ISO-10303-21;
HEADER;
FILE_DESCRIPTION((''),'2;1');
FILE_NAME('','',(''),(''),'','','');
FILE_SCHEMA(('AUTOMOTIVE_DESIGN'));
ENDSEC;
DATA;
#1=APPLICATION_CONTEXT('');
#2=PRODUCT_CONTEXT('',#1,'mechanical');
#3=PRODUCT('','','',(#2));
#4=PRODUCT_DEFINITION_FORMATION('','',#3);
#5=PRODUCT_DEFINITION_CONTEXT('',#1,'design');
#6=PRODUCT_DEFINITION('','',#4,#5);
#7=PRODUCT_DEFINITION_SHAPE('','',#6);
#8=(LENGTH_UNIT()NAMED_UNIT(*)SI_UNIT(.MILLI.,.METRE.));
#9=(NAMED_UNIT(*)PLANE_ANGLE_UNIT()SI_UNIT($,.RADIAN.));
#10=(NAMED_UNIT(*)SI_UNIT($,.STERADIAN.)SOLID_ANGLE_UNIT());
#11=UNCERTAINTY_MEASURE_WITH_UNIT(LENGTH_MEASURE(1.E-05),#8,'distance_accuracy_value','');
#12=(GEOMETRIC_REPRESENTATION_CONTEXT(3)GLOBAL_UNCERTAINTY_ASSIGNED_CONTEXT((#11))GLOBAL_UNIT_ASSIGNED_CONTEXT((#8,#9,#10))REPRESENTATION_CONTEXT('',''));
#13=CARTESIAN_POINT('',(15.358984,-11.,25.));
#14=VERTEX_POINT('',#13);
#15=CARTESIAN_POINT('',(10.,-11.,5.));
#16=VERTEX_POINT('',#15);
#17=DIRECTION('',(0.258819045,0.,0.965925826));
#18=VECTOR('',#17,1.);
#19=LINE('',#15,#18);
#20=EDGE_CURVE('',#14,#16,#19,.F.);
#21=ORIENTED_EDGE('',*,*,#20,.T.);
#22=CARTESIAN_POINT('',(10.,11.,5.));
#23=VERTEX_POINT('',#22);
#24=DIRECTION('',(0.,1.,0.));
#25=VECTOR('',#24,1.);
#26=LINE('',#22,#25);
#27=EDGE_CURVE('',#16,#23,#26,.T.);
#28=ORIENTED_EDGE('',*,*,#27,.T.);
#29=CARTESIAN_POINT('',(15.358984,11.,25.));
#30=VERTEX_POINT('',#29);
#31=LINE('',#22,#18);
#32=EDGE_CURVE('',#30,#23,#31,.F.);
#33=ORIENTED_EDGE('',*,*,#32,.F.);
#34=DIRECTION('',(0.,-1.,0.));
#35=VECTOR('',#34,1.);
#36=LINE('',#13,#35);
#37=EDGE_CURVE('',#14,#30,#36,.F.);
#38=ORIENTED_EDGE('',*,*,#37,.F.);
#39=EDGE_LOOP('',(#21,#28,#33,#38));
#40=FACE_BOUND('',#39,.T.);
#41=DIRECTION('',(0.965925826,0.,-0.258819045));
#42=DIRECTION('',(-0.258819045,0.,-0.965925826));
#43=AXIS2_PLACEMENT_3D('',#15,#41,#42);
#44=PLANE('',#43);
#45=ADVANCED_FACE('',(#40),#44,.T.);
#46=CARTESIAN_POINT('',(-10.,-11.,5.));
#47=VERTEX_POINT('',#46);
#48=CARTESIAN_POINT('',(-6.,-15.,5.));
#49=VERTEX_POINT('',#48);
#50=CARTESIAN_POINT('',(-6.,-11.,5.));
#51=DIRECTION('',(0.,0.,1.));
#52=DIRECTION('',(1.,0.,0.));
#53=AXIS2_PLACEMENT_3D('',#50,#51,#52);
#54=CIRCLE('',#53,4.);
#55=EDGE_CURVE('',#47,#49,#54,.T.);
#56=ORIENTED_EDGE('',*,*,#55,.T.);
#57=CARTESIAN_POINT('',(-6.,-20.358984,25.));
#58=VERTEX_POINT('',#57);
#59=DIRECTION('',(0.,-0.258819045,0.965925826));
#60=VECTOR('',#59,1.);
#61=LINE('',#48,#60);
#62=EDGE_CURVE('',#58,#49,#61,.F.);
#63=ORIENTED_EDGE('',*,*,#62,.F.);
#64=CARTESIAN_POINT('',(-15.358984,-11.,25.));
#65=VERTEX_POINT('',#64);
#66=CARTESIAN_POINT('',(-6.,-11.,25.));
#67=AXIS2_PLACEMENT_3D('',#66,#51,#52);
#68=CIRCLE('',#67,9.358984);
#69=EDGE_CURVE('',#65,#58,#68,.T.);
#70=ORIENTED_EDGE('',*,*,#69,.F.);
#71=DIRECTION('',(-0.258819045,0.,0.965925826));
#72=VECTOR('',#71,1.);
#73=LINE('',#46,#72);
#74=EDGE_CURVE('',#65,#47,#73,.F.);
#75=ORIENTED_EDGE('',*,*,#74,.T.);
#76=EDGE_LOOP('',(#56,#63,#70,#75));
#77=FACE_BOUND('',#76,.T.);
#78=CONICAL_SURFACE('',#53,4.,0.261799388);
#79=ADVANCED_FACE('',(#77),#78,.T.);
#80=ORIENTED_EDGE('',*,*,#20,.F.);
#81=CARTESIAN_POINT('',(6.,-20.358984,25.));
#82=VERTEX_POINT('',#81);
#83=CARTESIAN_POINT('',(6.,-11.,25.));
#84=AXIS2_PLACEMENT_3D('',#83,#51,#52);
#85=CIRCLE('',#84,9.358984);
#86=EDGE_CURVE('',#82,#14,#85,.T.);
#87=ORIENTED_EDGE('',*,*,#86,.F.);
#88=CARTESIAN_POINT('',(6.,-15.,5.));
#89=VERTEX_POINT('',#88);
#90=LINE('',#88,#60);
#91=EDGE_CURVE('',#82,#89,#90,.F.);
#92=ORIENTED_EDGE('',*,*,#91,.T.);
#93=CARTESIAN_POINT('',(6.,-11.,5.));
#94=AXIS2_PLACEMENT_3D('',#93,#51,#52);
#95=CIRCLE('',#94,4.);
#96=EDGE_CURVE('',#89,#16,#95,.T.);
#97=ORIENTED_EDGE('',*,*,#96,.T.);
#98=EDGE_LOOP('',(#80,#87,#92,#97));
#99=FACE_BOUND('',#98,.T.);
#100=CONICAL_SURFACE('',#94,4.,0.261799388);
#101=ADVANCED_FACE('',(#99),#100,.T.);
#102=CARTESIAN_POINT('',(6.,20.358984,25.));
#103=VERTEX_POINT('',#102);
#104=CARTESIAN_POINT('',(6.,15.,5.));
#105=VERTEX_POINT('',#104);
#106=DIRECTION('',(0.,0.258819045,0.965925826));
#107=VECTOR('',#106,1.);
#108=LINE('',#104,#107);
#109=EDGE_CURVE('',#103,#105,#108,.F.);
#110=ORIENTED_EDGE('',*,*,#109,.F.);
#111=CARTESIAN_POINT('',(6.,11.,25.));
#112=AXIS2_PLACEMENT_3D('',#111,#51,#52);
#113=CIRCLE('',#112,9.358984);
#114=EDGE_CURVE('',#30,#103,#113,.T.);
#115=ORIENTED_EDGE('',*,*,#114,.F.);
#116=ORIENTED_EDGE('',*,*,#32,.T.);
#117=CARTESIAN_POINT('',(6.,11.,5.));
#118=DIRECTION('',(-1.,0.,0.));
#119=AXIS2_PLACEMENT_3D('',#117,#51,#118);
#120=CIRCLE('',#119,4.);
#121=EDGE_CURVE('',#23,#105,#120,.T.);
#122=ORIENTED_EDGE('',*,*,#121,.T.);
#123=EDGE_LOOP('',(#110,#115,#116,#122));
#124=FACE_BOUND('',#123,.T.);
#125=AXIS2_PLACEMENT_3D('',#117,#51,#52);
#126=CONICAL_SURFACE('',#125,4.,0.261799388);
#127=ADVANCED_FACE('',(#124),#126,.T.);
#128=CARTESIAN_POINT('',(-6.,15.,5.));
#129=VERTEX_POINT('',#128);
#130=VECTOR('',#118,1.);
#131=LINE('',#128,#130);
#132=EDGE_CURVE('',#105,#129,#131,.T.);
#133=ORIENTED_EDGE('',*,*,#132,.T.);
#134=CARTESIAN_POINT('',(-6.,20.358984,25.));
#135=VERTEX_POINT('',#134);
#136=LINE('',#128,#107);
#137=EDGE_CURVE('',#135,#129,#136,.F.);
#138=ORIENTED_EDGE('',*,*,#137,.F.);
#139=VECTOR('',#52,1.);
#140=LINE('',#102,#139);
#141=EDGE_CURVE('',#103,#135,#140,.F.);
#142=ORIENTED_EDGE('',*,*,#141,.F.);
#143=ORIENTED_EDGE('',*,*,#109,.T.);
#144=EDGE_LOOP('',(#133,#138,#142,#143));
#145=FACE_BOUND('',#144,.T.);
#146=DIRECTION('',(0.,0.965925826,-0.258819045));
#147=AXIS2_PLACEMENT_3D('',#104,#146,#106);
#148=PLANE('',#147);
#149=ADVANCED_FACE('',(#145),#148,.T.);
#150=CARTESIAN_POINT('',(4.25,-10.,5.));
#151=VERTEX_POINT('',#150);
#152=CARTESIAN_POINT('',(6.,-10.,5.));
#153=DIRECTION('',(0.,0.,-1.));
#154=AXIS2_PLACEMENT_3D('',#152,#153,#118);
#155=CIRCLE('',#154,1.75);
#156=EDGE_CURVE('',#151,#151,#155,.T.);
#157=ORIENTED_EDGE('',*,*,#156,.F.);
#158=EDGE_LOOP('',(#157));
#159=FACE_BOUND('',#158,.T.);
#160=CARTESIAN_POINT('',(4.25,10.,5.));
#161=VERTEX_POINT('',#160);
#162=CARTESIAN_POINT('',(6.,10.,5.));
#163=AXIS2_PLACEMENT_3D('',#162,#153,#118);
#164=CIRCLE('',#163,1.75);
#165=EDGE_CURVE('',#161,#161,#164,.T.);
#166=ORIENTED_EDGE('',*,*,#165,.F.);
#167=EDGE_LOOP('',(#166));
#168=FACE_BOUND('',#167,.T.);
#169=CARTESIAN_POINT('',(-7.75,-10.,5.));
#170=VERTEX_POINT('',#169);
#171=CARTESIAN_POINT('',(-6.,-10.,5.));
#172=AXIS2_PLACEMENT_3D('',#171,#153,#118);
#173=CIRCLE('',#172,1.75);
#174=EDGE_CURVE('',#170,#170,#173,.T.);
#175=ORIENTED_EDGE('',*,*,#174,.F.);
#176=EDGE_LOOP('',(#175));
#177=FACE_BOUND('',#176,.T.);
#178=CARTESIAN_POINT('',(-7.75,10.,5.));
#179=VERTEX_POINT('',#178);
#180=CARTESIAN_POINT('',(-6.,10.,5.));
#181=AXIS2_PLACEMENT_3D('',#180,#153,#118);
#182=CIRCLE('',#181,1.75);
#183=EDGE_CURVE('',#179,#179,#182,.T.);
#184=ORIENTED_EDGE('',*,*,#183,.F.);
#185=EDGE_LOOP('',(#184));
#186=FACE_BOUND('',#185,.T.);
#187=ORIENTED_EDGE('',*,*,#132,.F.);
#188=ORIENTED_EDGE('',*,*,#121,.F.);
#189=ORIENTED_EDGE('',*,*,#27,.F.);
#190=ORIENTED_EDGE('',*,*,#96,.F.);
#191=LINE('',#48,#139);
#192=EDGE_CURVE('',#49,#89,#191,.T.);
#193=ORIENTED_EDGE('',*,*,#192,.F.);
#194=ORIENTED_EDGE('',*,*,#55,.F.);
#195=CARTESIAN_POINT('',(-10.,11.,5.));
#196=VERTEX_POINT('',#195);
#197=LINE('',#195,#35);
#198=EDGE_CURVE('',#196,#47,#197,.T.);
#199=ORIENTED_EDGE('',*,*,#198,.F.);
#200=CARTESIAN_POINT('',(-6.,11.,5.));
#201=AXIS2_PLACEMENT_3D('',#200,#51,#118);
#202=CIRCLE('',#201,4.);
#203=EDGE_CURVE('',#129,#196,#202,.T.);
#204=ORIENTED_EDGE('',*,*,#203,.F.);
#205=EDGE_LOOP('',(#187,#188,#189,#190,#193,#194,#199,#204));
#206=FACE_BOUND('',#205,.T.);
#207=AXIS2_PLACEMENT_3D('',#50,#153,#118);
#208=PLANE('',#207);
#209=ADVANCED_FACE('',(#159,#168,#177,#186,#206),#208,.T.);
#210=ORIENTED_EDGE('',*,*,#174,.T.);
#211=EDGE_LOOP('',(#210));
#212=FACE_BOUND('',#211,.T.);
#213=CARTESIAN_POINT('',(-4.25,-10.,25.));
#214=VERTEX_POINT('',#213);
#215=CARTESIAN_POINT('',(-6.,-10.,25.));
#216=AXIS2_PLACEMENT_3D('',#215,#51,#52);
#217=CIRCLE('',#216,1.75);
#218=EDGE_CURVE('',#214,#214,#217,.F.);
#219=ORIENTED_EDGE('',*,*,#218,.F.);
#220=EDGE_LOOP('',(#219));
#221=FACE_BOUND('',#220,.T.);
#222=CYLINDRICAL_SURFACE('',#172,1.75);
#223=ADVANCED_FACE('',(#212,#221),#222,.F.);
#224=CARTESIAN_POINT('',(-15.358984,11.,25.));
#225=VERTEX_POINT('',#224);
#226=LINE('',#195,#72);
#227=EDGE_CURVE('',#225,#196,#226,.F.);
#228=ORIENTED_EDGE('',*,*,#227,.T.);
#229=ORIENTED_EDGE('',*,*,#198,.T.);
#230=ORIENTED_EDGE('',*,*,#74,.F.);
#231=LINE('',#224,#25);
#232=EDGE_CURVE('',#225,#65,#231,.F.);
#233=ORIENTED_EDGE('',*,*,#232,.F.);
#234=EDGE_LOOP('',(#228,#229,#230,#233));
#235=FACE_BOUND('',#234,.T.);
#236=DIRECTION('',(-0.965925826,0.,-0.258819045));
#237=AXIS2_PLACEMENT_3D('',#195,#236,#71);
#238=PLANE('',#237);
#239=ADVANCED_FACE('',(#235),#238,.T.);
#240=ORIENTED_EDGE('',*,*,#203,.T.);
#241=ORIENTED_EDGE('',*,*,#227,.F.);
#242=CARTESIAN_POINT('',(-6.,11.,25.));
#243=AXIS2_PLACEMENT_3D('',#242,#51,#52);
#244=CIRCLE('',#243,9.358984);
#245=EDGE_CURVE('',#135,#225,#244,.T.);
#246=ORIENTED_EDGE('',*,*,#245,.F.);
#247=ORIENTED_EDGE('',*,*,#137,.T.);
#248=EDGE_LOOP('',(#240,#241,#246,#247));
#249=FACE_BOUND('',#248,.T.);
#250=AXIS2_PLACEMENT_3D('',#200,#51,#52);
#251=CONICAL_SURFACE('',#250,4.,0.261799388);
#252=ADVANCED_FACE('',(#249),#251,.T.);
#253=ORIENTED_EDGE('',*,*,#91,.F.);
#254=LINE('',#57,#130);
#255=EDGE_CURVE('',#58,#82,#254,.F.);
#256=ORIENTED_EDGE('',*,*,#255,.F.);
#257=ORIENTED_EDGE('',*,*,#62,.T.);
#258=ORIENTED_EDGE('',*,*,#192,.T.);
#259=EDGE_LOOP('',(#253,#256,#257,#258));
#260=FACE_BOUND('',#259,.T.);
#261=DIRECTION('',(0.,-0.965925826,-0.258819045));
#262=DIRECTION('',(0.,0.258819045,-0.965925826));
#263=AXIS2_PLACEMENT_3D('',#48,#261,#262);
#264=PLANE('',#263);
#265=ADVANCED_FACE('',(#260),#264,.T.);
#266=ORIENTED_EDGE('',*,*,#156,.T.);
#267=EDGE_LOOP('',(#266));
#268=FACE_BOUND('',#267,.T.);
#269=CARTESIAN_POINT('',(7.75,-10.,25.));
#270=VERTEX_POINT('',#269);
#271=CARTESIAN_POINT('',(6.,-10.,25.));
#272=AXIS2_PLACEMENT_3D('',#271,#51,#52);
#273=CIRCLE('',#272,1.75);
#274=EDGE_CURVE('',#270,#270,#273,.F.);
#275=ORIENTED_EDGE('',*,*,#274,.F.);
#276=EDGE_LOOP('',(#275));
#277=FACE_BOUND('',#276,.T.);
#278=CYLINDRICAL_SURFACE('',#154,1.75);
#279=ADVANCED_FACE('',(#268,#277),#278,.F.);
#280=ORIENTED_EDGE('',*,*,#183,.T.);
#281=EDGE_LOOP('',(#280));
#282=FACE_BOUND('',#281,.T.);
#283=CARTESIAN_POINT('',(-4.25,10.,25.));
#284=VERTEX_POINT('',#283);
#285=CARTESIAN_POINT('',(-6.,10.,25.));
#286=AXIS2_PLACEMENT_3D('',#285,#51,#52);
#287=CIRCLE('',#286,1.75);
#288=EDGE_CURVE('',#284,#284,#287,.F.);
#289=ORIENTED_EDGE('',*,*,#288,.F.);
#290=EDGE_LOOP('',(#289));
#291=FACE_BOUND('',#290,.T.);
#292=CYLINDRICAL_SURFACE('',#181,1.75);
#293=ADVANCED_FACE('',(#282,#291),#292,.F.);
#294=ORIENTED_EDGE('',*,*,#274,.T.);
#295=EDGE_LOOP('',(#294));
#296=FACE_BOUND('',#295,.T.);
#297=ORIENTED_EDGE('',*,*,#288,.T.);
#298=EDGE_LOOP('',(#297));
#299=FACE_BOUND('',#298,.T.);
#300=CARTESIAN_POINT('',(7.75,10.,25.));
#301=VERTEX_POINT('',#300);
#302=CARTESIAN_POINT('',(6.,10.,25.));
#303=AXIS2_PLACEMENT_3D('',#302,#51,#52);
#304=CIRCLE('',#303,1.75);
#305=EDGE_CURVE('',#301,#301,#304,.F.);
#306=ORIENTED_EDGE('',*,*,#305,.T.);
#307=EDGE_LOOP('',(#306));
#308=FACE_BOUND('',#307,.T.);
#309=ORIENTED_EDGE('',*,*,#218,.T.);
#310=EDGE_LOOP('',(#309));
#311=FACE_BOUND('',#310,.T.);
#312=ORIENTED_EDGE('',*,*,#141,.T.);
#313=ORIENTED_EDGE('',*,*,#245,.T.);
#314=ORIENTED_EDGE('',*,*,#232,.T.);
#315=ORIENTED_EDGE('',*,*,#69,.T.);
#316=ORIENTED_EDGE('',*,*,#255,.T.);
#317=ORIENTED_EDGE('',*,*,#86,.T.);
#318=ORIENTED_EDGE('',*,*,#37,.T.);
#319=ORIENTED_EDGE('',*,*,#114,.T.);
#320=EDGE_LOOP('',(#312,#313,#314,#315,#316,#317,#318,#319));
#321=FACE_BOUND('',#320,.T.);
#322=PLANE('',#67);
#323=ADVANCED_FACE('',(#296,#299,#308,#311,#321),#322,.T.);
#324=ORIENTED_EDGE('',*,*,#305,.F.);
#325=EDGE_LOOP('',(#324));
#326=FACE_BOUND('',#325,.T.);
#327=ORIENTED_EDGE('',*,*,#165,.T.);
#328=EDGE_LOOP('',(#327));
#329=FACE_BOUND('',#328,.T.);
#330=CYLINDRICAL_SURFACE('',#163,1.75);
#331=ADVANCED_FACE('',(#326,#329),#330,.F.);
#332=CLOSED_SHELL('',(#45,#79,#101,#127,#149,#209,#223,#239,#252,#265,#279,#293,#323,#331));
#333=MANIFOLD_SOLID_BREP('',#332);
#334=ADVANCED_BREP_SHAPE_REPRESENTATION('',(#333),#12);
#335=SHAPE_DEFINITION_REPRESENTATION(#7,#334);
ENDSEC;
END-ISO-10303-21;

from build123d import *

# Parameters (mm, degrees)
SKETCH1_R           = 1.75
BOSS_EXTRUDE1_DEPTH = 5
BOSS_EXTRUDE2_DEPTH = 20
BOSS_EXTRUDE2_DRAFT = -15
CUT_EXTRUDE1_REACH  = 37.713
SKETCH5_R           = 1.75
CUT_EXTRUDE2_DEPTH  = 5


with BuildPart() as part:
    # Sketch1 → Boss-Extrude1 (new body)
    with BuildSketch(Plane.XY):
        with BuildLine():
            Line((-6, 15), (6, 15))
            ThreePointArc((6, 15), (8.828427125, 13.828427125), (10, 11))
            Line((10, 11), (10, -11))
            ThreePointArc((10, -11), (8.828427125, -13.828427125), (6, -15))
            Line((6, -15), (-6, -15))
            ThreePointArc((-6, -15), (-8.828427125, -13.828427125), (-10, -11))
            Line((-10, -11), (-10, 11))
            ThreePointArc((-10, 11), (-8.828427125, 13.828427125), (-6, 15))
        make_face()
        with Locations((-6, 10)):
            Circle(SKETCH1_R, mode=Mode.SUBTRACT)
        with Locations((6, 10)):
            Circle(SKETCH1_R, mode=Mode.SUBTRACT)
        with Locations((-6, -10)):
            Circle(SKETCH1_R, mode=Mode.SUBTRACT)
        with Locations((6, -10)):
            Circle(SKETCH1_R, mode=Mode.SUBTRACT)
    extrude(amount=BOSS_EXTRUDE1_DEPTH)


with BuildPart() as boss_extrude2_tool:
    # Sketch4 → Boss-Extrude2 (with draft: the straight prism first)
    with BuildSketch(Plane.XY.offset(5)):
        with BuildLine():
            Line((-6, -15), (6, -15))
            ThreePointArc((6, -15), (8.828427125, -13.828427125), (10, -11))
            Line((10, -11), (10, 11))
            ThreePointArc((10, 11), (8.828427125, 13.828427125), (6, 15))
            Line((6, 15), (-6, 15))
            ThreePointArc((-6, 15), (-8.828427125, 13.828427125), (-10, 11))
            Line((-10, 11), (-10, -11))
            ThreePointArc((-10, -11), (-8.828427125, -13.828427125), (-6, -15))
        make_face()
    extrude(amount=BOSS_EXTRUDE2_DEPTH)
    # Boss-Extrude2: the draft: its side faces are tilted about the plane it starts from
    boss_extrude2_sides = [boss_extrude2_tool.faces().sort_by_distance(p)[0] for p in [
        (-10, 0, 15),
        (-8.828427125, -13.828427125, 15),
        (0, -15, 15),
        (8.828427125, -13.828427125, 15),
        (10, 0, 15),
        (8.828427125, 13.828427125, 15),
        (0, 15, 15),
        (-8.828427125, 13.828427125, 15),
    ]]
    draft(boss_extrude2_sides, Plane.XY.offset(5), BOSS_EXTRUDE2_DRAFT)


with BuildPart() as part_1:
    add(part.part)

    # Boss-Extrude2: add boss_extrude2_tool
    add(boss_extrude2_tool.part)

    # Sketch5 → Cut-Extrude1 (cut, up to next)
    with BuildSketch(Plane(origin=(0, 0, 0), x_dir=(-1, 0, 0), z_dir=(0, 0, -1)), mode=Mode.PRIVATE) as cut_extrude1_sk1:
        with Locations(Location((-6, -10, 0), (0, 0, 180))):
            Circle(SKETCH5_R)
    cut_extrude1_tool1 = extrude(cut_extrude1_sk1.sketch, amount=-CUT_EXTRUDE1_REACH, mode=Mode.PRIVATE) & part_1.part
    # Sketch5 → Cut-Extrude1 (cut, up to next)
    with BuildSketch(Plane(origin=(0, 0, 0), x_dir=(-1, 0, 0), z_dir=(0, 0, -1)), mode=Mode.PRIVATE) as cut_extrude1_sk2:
        with Locations(Location((6, -10, 0), (0, 0, 180))):
            Circle(SKETCH5_R)
    cut_extrude1_tool2 = extrude(cut_extrude1_sk2.sketch, amount=-CUT_EXTRUDE1_REACH, mode=Mode.PRIVATE) & part_1.part
    # Sketch5 → Cut-Extrude1 (cut, up to next)
    with BuildSketch(Plane(origin=(0, 0, 0), x_dir=(-1, 0, 0), z_dir=(0, 0, -1)), mode=Mode.PRIVATE) as cut_extrude1_sk3:
        with Locations(Location((6, 10, 0), (0, 0, 180))):
            Circle(SKETCH5_R)
    cut_extrude1_tool3 = extrude(cut_extrude1_sk3.sketch, amount=-CUT_EXTRUDE1_REACH, mode=Mode.PRIVATE) & part_1.part
    # Sketch5 → Cut-Extrude1 (cut, up to next)
    with BuildSketch(Plane(origin=(0, 0, 0), x_dir=(-1, 0, 0), z_dir=(0, 0, -1)), mode=Mode.PRIVATE) as cut_extrude1_sk4:
        with Locations(Location((-6, 10, 0), (0, 0, 180))):
            Circle(SKETCH5_R)
    cut_extrude1_tool4 = extrude(cut_extrude1_sk4.sketch, amount=-CUT_EXTRUDE1_REACH, mode=Mode.PRIVATE) & part_1.part
    add(cut_extrude1_tool1.solids().sort_by_distance((6, -10, 0))[0], mode=Mode.SUBTRACT)
    add(cut_extrude1_tool2.solids().sort_by_distance((-6, -10, 0))[0], mode=Mode.SUBTRACT)
    add(cut_extrude1_tool3.solids().sort_by_distance((-6, 10, 0))[0], mode=Mode.SUBTRACT)
    add(cut_extrude1_tool4.solids().sort_by_distance((6, 10, 0))[0], mode=Mode.SUBTRACT)

    # Sketch6 → Cut-Extrude2 (cut)
    with BuildSketch(Plane(origin=(0, 0, 0), x_dir=(-1, 0, 0), z_dir=(0, 0, -1))):
        with BuildLine():
            Line((6, -15), (-6, -15))
            ThreePointArc((-6, -15), (-8.828427125, -13.828427125), (-10, -11))
            Line((-10, -11), (-10, 11))
            ThreePointArc((-10, 11), (-8.828427125, 13.828427125), (-6, 15))
            Line((-6, 15), (6, 15))
            ThreePointArc((6, 15), (8.828427125, 13.828427125), (10, 11))
            Line((10, 11), (10, -11))
            ThreePointArc((10, -11), (8.828427125, -13.828427125), (6, -15))
        make_face()
    extrude(amount=-CUT_EXTRUDE2_DEPTH, mode=Mode.SUBTRACT)


solid = part_1.part
